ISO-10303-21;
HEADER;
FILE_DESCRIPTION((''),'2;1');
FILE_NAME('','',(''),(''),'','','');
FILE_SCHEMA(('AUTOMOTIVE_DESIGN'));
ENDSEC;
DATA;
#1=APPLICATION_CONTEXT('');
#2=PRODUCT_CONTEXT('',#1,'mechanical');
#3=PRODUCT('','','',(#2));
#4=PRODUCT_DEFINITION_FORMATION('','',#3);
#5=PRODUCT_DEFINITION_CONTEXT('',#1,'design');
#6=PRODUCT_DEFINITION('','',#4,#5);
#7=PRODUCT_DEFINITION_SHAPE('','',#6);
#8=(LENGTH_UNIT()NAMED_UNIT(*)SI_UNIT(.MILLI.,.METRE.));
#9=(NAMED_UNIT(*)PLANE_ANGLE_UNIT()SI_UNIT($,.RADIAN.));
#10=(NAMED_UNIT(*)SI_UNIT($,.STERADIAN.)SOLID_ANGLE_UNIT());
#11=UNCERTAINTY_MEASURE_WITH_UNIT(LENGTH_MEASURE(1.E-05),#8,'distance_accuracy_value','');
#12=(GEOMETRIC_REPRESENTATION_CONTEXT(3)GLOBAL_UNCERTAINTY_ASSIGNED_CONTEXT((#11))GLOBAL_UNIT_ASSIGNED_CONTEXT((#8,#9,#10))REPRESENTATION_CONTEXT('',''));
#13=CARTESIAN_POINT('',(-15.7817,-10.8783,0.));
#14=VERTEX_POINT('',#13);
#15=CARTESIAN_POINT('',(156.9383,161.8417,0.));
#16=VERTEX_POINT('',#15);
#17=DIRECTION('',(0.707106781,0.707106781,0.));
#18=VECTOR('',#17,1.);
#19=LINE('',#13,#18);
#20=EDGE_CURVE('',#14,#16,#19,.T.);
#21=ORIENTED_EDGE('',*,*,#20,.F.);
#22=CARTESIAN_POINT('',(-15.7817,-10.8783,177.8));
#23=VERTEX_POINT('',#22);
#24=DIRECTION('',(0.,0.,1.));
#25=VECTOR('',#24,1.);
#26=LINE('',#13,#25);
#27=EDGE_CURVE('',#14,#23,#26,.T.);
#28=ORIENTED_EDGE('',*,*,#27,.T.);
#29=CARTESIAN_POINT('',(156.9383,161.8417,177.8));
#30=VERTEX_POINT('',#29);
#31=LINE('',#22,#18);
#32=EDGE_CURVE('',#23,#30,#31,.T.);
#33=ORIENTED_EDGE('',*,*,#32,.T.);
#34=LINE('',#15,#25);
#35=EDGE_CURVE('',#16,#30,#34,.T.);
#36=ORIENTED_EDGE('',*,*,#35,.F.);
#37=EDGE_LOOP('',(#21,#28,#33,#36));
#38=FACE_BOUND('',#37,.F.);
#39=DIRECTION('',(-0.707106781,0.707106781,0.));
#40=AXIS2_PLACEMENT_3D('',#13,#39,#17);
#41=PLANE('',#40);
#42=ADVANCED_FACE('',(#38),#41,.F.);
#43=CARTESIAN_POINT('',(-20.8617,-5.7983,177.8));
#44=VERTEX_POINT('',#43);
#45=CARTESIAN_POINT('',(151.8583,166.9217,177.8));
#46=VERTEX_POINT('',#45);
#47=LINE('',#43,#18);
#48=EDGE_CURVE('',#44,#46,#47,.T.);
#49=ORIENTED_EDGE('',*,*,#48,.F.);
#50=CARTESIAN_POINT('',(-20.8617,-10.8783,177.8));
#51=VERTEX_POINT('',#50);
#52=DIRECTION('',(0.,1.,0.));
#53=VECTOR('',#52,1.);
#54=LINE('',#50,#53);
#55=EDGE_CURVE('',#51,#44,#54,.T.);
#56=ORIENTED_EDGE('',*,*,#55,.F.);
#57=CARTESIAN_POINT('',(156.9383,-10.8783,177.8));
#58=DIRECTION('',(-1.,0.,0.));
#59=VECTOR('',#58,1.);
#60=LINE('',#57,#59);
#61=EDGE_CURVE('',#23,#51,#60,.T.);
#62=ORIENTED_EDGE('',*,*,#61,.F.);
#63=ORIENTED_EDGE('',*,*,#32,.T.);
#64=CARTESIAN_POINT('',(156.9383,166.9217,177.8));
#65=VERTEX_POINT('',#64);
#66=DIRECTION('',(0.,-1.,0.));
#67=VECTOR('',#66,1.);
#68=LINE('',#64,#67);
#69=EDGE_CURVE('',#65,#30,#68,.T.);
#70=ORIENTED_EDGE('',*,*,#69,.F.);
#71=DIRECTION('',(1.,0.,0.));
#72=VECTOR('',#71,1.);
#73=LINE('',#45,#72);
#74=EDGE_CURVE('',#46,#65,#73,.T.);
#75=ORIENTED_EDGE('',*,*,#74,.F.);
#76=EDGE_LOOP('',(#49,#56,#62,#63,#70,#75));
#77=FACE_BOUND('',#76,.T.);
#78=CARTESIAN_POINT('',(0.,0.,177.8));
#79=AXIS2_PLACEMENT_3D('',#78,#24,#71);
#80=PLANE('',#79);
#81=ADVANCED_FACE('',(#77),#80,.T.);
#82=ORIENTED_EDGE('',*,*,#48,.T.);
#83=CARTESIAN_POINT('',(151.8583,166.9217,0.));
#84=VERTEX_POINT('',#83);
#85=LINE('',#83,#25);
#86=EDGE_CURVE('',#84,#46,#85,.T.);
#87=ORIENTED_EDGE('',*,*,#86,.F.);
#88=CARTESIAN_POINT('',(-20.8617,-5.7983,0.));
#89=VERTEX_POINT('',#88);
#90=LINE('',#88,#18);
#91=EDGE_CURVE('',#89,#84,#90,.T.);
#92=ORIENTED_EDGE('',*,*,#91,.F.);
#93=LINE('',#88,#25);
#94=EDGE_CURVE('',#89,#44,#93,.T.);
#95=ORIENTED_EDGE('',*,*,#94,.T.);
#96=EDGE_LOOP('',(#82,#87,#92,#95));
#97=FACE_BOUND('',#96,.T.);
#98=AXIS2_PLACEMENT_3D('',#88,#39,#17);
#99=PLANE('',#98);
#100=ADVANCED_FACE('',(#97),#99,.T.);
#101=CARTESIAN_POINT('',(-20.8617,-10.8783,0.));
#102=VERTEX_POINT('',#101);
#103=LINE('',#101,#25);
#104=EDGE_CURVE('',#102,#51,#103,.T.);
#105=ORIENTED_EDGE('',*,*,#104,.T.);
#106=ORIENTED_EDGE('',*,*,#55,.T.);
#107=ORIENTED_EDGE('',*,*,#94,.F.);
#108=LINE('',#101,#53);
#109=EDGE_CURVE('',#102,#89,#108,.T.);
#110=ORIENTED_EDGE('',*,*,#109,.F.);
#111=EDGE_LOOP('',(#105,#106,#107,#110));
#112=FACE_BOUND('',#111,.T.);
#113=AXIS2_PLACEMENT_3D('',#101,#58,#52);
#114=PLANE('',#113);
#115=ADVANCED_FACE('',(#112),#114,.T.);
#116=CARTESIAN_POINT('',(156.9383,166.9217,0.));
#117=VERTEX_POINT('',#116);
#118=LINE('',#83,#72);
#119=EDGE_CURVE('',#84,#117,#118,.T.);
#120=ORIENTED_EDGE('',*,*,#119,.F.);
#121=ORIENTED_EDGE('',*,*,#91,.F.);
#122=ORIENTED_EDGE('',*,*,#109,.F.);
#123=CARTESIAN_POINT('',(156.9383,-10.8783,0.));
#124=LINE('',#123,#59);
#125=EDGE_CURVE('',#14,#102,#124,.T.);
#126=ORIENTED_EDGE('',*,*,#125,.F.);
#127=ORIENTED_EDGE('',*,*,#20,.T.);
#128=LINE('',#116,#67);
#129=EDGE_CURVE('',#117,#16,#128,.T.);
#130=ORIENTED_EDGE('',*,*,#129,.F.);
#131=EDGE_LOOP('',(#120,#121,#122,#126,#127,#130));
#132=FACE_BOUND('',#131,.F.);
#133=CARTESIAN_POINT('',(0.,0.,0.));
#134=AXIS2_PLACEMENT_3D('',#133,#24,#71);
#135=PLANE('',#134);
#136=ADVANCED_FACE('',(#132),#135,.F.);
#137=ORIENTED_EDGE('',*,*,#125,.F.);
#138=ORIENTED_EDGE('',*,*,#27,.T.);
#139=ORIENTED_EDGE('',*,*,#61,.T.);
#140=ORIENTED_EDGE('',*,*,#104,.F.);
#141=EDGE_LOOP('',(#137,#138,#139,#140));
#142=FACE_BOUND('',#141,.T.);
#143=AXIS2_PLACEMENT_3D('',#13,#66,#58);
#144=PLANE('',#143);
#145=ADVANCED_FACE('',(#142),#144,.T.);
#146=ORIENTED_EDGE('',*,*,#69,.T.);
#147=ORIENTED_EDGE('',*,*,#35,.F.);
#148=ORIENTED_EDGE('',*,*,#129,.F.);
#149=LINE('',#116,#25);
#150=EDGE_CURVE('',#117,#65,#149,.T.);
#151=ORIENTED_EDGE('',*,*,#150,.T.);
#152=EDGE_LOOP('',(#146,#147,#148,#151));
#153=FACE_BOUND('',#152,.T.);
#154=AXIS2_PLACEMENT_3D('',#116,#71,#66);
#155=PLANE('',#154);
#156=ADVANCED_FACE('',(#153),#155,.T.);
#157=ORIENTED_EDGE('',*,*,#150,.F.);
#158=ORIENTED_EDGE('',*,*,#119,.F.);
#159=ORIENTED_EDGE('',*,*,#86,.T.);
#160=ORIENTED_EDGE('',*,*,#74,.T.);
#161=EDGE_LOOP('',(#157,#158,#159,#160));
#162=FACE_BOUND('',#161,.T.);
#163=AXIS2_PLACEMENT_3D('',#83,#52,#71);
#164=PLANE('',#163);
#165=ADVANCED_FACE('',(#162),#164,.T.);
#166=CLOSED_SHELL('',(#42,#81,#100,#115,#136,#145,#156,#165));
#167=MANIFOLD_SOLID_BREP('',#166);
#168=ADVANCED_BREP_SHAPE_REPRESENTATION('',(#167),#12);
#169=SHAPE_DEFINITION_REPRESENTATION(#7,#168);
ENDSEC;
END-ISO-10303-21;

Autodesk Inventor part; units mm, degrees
ref_plane "YZ Plane" through (0, 0, 0) normal (1, 0, 0) x (0, 1, 0)
ref_plane "XZ Plane" through (0, 0, 0) normal (0, 1, 0) x (-1, 0, 0)
ref_plane "XY Plane" through (0, 0, 0) normal (0, 0, 1) x (1, 0, 0)
sketch "Sketch1" plane through (0, 0, 0) normal (0, 0, 1) x (1, 0, 0)
  line L0 (151.8583, 166.9217) -> (156.9383, 166.9217)
  line L1 (156.9383, 166.9217) -> (156.9383, 161.8417)
  line L2 (156.9383, -10.8783) -> (-20.8617, -10.8783)
  line L3 (-20.8617, -10.8783) -> (-20.8617, 166.9217)
  line L4 (-20.8617, -5.7983) -> (151.8583, 166.9217)
  line L5 (-15.7817, -10.8783) -> (156.9383, 161.8417)
  point P0 (0, 0)
  dimension "d0" = 177.8
  dimension "d1" = 177.8
  dimension "d2" = 45
  dimension "d3" = 45
  dimension "d4" = 5.08
  dimension "d5" = 5.08
extrude "Extrusion1" add sketch "Sketch1" along normal blind 177.8
properties part number "Redirection Plate"
